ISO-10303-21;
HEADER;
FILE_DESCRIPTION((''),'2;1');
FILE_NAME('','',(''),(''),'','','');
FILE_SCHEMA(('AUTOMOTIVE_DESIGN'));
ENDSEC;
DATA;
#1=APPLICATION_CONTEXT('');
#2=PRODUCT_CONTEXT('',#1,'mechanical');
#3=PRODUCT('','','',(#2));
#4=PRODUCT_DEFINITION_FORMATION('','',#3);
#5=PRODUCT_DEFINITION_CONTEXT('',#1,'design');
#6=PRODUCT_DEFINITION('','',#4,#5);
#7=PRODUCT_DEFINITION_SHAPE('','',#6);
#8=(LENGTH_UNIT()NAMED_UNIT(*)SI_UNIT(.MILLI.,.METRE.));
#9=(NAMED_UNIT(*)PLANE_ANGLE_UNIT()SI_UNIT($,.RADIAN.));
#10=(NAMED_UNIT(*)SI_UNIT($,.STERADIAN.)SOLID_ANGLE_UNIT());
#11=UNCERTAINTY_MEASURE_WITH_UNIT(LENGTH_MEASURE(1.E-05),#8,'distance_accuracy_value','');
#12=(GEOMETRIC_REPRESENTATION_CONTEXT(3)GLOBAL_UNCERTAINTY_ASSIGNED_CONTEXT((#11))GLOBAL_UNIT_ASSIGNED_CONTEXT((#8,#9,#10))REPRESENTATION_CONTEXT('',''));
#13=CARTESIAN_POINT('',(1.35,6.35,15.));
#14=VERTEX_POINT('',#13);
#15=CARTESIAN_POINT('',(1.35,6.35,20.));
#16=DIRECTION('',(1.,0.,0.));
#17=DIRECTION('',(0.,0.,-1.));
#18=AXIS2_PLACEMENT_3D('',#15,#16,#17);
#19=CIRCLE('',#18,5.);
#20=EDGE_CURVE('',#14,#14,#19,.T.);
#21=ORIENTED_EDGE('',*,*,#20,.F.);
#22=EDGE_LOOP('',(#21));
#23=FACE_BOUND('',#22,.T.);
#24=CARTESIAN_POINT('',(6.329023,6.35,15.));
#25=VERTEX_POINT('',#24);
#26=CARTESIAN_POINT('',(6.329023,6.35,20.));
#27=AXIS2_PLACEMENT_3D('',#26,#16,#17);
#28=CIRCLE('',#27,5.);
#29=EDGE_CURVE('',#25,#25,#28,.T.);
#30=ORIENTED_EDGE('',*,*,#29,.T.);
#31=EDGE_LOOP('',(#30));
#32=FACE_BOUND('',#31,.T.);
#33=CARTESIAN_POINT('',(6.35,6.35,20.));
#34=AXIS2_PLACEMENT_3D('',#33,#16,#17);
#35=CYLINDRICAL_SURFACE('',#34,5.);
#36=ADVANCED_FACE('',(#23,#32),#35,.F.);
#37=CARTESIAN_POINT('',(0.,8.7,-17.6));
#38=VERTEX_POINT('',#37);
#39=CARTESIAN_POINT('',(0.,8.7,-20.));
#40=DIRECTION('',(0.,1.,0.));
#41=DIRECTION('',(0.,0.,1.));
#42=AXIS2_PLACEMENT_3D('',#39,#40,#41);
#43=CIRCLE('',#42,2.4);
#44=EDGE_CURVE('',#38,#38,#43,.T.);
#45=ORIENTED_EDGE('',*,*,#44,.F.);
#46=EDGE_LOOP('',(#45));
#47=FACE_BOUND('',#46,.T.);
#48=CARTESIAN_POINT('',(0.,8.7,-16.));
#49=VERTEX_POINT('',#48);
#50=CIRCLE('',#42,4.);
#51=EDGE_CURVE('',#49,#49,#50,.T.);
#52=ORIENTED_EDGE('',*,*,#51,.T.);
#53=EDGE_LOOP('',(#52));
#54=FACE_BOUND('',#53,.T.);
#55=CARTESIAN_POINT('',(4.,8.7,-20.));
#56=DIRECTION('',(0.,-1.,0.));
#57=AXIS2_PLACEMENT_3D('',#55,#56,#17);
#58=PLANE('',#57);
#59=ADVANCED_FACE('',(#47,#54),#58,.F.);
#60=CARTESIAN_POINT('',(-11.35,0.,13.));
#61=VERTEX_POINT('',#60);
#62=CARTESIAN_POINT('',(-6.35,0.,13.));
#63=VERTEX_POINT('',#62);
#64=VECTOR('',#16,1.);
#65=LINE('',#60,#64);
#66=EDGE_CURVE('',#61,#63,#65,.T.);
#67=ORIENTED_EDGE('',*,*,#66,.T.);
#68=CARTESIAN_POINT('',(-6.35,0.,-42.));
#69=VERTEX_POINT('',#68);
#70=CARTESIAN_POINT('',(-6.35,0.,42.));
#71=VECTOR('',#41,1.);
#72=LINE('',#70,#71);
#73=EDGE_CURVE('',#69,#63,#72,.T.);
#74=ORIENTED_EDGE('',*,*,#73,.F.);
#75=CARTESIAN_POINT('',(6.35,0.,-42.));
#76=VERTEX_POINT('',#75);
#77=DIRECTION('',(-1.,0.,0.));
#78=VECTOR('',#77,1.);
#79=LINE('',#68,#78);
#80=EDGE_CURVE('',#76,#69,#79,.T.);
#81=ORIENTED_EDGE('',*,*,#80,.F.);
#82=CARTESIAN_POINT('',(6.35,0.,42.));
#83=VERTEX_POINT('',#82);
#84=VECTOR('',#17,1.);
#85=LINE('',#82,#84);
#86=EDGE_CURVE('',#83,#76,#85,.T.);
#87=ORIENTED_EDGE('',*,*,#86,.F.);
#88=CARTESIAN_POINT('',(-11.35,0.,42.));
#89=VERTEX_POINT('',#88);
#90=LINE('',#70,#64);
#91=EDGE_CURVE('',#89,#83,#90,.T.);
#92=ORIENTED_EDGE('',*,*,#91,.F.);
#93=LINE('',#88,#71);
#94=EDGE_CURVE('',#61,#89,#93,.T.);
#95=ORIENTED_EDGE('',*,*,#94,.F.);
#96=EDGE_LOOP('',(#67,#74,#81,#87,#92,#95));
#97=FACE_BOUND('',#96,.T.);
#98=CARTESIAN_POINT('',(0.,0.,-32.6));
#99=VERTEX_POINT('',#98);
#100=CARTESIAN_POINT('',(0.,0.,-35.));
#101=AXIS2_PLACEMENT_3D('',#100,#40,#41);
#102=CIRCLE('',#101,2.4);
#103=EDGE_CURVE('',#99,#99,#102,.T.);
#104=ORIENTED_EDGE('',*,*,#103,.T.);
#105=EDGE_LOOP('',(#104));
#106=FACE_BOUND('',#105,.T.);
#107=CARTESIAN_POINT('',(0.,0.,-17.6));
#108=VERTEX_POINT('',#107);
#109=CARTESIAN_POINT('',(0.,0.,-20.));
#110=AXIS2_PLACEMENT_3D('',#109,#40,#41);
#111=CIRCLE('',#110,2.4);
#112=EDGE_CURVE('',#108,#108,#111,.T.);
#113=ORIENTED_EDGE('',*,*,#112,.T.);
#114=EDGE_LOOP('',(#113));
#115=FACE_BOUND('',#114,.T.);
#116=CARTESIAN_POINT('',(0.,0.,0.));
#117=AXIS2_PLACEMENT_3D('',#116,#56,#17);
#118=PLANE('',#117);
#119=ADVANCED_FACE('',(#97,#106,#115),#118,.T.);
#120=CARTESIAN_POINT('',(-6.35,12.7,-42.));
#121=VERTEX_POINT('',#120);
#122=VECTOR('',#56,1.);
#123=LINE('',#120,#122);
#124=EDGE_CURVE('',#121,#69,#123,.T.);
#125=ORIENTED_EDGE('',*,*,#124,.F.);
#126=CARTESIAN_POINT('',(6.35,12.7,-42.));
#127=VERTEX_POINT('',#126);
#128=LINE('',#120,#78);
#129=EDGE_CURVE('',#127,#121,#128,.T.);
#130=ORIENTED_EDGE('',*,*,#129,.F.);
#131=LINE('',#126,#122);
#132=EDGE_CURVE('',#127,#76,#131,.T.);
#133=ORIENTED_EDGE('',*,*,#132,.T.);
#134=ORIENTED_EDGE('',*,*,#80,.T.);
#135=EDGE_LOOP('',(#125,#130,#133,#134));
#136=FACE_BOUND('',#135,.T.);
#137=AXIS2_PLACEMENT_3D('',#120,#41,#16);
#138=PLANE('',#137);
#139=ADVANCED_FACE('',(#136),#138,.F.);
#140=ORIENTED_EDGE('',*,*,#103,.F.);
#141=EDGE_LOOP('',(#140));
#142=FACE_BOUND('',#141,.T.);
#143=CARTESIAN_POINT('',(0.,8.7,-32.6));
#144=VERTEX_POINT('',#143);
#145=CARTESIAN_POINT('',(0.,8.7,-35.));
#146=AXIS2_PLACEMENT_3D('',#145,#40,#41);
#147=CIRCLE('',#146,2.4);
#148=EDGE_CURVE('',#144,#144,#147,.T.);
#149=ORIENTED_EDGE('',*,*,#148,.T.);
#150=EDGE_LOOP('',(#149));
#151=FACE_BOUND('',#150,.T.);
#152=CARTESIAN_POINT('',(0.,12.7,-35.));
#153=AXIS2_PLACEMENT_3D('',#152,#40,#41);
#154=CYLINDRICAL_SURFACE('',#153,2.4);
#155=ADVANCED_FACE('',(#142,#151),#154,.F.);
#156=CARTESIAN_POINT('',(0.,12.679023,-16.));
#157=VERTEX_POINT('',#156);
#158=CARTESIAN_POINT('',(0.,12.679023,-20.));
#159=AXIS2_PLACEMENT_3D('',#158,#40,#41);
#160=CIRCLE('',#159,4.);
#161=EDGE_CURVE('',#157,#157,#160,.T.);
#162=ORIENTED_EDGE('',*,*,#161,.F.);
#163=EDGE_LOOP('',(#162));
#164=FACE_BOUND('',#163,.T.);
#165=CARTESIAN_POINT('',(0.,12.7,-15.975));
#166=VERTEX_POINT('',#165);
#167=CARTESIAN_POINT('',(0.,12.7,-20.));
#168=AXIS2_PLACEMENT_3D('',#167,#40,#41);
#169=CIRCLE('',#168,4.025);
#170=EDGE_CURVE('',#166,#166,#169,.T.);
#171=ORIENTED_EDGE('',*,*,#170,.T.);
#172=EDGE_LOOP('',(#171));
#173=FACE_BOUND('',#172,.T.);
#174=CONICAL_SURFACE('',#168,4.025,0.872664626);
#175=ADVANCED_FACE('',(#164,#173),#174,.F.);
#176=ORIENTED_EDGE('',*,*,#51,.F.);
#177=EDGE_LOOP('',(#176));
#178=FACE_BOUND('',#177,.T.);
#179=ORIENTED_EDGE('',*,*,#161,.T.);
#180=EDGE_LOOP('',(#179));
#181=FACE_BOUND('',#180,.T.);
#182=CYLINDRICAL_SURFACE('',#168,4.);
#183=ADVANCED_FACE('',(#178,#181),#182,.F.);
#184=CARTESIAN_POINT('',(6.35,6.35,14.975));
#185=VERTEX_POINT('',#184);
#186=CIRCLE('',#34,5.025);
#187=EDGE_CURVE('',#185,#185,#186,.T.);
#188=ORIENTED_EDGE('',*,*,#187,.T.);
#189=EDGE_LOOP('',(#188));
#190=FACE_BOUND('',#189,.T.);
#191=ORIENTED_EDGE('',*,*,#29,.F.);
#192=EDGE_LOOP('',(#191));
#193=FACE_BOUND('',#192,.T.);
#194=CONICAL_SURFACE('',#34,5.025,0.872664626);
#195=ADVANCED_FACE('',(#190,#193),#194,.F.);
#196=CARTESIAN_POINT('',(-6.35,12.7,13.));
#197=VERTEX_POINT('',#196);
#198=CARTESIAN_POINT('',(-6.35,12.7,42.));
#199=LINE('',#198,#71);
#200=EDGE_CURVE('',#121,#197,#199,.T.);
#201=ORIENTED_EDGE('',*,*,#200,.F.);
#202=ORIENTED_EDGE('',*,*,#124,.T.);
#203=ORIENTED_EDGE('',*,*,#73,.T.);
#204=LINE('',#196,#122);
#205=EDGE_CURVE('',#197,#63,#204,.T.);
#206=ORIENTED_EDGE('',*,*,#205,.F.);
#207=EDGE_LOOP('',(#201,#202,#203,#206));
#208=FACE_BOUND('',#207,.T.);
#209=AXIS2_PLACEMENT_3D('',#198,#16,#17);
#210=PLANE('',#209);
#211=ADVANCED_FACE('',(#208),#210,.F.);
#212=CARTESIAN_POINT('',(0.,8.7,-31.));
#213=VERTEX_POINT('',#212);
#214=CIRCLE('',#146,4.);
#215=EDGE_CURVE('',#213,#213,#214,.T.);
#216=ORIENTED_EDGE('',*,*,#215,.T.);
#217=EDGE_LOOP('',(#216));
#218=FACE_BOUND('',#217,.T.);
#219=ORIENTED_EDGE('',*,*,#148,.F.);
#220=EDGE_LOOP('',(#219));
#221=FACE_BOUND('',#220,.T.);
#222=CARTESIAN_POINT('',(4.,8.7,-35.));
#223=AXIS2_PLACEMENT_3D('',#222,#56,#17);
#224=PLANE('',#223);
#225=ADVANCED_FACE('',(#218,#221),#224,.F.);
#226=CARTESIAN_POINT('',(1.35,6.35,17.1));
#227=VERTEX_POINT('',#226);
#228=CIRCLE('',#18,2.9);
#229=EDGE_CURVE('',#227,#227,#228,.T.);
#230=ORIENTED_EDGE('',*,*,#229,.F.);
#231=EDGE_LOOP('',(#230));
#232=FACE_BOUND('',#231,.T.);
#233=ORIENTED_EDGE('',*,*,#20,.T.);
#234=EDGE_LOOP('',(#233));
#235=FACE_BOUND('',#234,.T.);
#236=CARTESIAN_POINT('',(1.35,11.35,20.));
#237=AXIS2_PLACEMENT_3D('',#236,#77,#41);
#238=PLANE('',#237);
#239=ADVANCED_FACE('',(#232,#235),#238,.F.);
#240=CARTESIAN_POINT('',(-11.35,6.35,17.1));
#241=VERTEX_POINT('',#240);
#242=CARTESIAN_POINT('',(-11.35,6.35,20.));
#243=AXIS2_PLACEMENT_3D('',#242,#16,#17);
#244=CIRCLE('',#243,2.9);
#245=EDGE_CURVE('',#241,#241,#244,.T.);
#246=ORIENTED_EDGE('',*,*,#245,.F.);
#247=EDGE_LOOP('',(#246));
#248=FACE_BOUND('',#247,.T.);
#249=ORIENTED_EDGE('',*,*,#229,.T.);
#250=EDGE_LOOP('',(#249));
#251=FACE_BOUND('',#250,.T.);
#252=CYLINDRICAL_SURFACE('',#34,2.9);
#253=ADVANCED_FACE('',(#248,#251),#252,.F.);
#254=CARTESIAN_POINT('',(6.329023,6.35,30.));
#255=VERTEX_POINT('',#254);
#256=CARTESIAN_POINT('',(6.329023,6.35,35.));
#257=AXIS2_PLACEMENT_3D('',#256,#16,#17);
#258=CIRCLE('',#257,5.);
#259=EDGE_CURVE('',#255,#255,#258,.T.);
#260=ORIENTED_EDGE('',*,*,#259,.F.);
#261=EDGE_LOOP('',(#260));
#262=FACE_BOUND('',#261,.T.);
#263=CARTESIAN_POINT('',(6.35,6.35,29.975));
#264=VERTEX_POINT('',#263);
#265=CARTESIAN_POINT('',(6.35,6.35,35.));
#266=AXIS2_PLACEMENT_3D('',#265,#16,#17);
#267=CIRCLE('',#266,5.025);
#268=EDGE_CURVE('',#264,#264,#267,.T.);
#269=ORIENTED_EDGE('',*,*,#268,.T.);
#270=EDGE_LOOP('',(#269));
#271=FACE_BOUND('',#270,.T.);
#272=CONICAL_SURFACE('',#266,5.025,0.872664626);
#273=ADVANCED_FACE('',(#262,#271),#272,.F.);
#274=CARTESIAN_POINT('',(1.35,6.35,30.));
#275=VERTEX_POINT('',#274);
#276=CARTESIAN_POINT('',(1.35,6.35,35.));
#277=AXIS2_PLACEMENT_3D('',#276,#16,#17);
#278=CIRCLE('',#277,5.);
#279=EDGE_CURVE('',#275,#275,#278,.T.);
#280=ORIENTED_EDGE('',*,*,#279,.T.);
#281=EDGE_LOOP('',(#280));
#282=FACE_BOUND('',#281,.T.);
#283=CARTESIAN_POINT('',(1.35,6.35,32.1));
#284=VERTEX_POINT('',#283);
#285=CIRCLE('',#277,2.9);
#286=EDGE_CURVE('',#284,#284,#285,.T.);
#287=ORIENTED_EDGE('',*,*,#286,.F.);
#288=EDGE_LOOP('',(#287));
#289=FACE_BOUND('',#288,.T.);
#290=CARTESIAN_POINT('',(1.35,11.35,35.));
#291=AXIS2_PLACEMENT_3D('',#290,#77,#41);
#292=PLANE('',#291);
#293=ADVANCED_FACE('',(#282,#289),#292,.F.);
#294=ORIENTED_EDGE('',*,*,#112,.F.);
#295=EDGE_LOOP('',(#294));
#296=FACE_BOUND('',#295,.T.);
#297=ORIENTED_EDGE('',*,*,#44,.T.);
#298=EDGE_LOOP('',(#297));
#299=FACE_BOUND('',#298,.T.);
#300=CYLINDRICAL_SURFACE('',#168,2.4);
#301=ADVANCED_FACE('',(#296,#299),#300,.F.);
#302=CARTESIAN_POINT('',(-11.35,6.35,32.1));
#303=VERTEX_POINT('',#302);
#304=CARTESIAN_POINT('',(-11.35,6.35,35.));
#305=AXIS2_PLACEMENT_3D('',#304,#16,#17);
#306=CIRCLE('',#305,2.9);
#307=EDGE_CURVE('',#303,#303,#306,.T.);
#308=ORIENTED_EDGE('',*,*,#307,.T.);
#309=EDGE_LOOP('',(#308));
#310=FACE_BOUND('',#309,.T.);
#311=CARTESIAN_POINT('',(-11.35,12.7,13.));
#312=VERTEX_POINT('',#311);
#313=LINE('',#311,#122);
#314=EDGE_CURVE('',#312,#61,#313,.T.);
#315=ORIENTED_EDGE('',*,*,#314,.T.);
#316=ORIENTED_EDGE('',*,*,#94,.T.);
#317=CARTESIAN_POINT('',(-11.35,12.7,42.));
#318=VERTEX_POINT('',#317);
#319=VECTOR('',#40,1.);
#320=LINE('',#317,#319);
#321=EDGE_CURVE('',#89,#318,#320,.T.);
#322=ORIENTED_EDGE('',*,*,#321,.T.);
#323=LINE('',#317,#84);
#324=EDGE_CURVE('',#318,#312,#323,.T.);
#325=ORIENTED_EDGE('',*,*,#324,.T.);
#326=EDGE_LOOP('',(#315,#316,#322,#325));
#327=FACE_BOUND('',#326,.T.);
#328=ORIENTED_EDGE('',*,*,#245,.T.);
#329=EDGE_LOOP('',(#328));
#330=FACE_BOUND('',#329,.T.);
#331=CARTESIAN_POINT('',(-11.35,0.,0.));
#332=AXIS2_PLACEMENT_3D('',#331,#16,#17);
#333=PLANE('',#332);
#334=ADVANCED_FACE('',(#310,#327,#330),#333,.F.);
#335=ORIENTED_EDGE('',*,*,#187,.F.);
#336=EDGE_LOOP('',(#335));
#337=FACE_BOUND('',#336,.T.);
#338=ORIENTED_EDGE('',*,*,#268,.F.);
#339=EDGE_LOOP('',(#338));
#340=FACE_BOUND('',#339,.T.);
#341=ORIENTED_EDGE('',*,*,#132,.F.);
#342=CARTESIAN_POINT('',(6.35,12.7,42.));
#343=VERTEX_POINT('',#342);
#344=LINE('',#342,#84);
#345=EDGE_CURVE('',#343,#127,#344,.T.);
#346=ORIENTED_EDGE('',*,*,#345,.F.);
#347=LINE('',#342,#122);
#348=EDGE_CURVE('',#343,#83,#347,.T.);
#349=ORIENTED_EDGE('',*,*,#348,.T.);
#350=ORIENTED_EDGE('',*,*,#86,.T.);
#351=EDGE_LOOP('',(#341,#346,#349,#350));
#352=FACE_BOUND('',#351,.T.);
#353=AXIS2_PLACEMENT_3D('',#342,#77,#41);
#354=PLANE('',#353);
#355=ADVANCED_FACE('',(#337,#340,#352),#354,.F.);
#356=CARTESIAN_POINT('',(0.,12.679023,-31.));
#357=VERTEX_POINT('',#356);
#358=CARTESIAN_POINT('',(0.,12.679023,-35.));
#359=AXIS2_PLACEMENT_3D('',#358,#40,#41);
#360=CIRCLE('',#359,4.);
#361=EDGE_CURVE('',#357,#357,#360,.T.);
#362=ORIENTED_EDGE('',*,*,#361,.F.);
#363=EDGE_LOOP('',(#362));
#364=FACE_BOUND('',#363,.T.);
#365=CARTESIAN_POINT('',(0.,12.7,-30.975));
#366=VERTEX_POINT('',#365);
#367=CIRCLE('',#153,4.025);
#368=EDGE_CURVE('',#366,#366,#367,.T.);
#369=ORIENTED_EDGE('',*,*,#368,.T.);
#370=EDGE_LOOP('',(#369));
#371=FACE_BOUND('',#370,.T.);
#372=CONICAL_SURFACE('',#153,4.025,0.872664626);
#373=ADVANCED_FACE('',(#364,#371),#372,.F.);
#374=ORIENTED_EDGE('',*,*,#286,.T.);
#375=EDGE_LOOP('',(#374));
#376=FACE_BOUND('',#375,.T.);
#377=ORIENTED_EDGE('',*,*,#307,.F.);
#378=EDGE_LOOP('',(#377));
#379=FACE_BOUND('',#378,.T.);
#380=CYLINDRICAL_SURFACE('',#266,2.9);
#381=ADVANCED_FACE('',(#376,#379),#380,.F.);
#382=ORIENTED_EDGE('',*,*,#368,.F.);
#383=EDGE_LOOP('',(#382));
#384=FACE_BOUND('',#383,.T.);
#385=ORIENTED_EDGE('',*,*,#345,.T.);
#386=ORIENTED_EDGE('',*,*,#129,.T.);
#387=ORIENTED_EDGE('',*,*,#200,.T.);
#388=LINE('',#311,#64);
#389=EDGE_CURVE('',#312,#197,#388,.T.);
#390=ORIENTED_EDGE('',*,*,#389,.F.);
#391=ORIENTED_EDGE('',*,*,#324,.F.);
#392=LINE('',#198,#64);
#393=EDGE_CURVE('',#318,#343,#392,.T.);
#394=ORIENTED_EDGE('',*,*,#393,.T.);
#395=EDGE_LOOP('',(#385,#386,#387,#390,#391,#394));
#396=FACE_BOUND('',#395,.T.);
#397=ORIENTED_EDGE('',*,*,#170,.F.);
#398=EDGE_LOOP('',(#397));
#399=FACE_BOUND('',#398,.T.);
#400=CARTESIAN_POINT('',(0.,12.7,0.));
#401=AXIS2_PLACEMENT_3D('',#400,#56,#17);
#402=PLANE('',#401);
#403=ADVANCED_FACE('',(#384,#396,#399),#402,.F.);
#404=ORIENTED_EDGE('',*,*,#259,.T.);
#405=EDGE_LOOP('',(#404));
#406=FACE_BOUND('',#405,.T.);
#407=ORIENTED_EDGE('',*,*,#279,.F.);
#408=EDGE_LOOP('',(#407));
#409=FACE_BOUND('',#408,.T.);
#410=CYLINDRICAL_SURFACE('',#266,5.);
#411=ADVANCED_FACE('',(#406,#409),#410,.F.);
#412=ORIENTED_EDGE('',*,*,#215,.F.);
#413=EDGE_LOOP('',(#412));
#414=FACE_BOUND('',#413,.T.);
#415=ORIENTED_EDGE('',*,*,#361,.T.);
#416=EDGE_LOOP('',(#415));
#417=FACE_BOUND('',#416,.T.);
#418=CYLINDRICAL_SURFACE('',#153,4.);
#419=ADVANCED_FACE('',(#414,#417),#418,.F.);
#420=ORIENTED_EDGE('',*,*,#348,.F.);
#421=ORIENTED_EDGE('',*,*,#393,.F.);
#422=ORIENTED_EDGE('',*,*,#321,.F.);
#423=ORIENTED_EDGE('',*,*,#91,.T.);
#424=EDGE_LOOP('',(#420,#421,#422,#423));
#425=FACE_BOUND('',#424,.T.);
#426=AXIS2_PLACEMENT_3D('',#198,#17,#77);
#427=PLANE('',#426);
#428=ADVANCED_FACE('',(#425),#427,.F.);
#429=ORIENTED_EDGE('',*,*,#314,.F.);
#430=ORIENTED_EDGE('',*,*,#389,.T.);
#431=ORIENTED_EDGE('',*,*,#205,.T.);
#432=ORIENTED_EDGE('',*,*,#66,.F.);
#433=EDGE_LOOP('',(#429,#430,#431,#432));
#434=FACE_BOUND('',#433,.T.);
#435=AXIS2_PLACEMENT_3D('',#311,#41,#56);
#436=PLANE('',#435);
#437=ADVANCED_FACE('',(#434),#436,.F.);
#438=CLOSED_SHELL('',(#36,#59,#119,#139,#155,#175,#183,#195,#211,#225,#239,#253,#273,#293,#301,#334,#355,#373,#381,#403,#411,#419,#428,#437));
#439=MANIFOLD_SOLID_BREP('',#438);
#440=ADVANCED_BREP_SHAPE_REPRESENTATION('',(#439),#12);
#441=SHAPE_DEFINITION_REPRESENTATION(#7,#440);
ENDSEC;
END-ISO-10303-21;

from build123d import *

# Parameters (mm, degrees)
SKETCH2_W                     = 12.7
SKETCH2_H                     = 84
BOSS_EXTRUDE1_DEPTH           = 12.7
CBORE_FOR_M4_SHCS1_AT_2_COUNT = 2
CBORE_FOR_M4_SHCS1_AT_2_PITCH = 15
SKETCH8_W                     = 29
SKETCH8_H                     = 12.7
BOSS_EXTRUDE3_DEPTH           = 5
CBORE_FOR_M5_SHCS2_AT_2_COUNT = 2
CBORE_FOR_M5_SHCS2_AT_2_PITCH = 15


with BuildPart() as part:
    # Sketch2 → Boss-Extrude1 (new body)
    with BuildSketch(Plane(origin=(0, 0, 0), x_dir=(1, 0, 0), z_dir=(0, 1, 0))):
        Rectangle(SKETCH2_W, SKETCH2_H)
    extrude(amount=BOSS_EXTRUDE1_DEPTH)

    # Sketch4 → CBORE for M4 SHCS1 (revolve, cut)
    with BuildSketch(Plane(origin=(0, 12.7, -35), x_dir=(0, 0, 1), z_dir=(1, 0, 0))):
        Polygon((0, 0), (0, 12.7), (2.4, 12.7), (2.4, 4), (4, 4), (4, 0.020977491), (4.025, 0), align=None)
    cbore_for_m4_shcs1 = revolve(axis=Axis((0, 19.05, -35), (0, -1, 0)), mode=Mode.SUBTRACT)

    # CBORE for M4 SHCS1 at 2: CBORE for M4 SHCS1 ×2
    with Locations(*[(0, 0, i * CBORE_FOR_M4_SHCS1_AT_2_PITCH) for i in range(1, CBORE_FOR_M4_SHCS1_AT_2_COUNT)]):
        add(cbore_for_m4_shcs1, mode=Mode.SUBTRACT)

    # Sketch8 → Boss-Extrude3 (add)
    with BuildSketch(Plane.ZY.offset(6.35)):
        with Locations((27.5, 6.35)):
            Rectangle(SKETCH8_W, SKETCH8_H)
    extrude(amount=BOSS_EXTRUDE3_DEPTH)

    # Sketch7 → CBORE for M5 SHCS2 (revolve, cut)
    with BuildSketch(Plane(origin=(6.35, 6.35, 35), x_dir=(0, 0, -1), z_dir=(0, 1, 0))):
        Polygon((0, 0), (0, 17.7), (2.9, 17.7), (2.9, 5), (5, 5), (5, 0.020977491), (5.025, 0), align=None)
    cbore_for_m5_shcs2 = revolve(axis=Axis((12.7, 6.35, 35), (-1, 0, 0)), mode=Mode.SUBTRACT)

    # CBORE for M5 SHCS2 at 2: CBORE for M5 SHCS2 ×2
    with Locations(*[(0, 0, -i * CBORE_FOR_M5_SHCS2_AT_2_PITCH) for i in range(1, CBORE_FOR_M5_SHCS2_AT_2_COUNT)]):
        add(cbore_for_m5_shcs2, mode=Mode.SUBTRACT)


solid = part.part
